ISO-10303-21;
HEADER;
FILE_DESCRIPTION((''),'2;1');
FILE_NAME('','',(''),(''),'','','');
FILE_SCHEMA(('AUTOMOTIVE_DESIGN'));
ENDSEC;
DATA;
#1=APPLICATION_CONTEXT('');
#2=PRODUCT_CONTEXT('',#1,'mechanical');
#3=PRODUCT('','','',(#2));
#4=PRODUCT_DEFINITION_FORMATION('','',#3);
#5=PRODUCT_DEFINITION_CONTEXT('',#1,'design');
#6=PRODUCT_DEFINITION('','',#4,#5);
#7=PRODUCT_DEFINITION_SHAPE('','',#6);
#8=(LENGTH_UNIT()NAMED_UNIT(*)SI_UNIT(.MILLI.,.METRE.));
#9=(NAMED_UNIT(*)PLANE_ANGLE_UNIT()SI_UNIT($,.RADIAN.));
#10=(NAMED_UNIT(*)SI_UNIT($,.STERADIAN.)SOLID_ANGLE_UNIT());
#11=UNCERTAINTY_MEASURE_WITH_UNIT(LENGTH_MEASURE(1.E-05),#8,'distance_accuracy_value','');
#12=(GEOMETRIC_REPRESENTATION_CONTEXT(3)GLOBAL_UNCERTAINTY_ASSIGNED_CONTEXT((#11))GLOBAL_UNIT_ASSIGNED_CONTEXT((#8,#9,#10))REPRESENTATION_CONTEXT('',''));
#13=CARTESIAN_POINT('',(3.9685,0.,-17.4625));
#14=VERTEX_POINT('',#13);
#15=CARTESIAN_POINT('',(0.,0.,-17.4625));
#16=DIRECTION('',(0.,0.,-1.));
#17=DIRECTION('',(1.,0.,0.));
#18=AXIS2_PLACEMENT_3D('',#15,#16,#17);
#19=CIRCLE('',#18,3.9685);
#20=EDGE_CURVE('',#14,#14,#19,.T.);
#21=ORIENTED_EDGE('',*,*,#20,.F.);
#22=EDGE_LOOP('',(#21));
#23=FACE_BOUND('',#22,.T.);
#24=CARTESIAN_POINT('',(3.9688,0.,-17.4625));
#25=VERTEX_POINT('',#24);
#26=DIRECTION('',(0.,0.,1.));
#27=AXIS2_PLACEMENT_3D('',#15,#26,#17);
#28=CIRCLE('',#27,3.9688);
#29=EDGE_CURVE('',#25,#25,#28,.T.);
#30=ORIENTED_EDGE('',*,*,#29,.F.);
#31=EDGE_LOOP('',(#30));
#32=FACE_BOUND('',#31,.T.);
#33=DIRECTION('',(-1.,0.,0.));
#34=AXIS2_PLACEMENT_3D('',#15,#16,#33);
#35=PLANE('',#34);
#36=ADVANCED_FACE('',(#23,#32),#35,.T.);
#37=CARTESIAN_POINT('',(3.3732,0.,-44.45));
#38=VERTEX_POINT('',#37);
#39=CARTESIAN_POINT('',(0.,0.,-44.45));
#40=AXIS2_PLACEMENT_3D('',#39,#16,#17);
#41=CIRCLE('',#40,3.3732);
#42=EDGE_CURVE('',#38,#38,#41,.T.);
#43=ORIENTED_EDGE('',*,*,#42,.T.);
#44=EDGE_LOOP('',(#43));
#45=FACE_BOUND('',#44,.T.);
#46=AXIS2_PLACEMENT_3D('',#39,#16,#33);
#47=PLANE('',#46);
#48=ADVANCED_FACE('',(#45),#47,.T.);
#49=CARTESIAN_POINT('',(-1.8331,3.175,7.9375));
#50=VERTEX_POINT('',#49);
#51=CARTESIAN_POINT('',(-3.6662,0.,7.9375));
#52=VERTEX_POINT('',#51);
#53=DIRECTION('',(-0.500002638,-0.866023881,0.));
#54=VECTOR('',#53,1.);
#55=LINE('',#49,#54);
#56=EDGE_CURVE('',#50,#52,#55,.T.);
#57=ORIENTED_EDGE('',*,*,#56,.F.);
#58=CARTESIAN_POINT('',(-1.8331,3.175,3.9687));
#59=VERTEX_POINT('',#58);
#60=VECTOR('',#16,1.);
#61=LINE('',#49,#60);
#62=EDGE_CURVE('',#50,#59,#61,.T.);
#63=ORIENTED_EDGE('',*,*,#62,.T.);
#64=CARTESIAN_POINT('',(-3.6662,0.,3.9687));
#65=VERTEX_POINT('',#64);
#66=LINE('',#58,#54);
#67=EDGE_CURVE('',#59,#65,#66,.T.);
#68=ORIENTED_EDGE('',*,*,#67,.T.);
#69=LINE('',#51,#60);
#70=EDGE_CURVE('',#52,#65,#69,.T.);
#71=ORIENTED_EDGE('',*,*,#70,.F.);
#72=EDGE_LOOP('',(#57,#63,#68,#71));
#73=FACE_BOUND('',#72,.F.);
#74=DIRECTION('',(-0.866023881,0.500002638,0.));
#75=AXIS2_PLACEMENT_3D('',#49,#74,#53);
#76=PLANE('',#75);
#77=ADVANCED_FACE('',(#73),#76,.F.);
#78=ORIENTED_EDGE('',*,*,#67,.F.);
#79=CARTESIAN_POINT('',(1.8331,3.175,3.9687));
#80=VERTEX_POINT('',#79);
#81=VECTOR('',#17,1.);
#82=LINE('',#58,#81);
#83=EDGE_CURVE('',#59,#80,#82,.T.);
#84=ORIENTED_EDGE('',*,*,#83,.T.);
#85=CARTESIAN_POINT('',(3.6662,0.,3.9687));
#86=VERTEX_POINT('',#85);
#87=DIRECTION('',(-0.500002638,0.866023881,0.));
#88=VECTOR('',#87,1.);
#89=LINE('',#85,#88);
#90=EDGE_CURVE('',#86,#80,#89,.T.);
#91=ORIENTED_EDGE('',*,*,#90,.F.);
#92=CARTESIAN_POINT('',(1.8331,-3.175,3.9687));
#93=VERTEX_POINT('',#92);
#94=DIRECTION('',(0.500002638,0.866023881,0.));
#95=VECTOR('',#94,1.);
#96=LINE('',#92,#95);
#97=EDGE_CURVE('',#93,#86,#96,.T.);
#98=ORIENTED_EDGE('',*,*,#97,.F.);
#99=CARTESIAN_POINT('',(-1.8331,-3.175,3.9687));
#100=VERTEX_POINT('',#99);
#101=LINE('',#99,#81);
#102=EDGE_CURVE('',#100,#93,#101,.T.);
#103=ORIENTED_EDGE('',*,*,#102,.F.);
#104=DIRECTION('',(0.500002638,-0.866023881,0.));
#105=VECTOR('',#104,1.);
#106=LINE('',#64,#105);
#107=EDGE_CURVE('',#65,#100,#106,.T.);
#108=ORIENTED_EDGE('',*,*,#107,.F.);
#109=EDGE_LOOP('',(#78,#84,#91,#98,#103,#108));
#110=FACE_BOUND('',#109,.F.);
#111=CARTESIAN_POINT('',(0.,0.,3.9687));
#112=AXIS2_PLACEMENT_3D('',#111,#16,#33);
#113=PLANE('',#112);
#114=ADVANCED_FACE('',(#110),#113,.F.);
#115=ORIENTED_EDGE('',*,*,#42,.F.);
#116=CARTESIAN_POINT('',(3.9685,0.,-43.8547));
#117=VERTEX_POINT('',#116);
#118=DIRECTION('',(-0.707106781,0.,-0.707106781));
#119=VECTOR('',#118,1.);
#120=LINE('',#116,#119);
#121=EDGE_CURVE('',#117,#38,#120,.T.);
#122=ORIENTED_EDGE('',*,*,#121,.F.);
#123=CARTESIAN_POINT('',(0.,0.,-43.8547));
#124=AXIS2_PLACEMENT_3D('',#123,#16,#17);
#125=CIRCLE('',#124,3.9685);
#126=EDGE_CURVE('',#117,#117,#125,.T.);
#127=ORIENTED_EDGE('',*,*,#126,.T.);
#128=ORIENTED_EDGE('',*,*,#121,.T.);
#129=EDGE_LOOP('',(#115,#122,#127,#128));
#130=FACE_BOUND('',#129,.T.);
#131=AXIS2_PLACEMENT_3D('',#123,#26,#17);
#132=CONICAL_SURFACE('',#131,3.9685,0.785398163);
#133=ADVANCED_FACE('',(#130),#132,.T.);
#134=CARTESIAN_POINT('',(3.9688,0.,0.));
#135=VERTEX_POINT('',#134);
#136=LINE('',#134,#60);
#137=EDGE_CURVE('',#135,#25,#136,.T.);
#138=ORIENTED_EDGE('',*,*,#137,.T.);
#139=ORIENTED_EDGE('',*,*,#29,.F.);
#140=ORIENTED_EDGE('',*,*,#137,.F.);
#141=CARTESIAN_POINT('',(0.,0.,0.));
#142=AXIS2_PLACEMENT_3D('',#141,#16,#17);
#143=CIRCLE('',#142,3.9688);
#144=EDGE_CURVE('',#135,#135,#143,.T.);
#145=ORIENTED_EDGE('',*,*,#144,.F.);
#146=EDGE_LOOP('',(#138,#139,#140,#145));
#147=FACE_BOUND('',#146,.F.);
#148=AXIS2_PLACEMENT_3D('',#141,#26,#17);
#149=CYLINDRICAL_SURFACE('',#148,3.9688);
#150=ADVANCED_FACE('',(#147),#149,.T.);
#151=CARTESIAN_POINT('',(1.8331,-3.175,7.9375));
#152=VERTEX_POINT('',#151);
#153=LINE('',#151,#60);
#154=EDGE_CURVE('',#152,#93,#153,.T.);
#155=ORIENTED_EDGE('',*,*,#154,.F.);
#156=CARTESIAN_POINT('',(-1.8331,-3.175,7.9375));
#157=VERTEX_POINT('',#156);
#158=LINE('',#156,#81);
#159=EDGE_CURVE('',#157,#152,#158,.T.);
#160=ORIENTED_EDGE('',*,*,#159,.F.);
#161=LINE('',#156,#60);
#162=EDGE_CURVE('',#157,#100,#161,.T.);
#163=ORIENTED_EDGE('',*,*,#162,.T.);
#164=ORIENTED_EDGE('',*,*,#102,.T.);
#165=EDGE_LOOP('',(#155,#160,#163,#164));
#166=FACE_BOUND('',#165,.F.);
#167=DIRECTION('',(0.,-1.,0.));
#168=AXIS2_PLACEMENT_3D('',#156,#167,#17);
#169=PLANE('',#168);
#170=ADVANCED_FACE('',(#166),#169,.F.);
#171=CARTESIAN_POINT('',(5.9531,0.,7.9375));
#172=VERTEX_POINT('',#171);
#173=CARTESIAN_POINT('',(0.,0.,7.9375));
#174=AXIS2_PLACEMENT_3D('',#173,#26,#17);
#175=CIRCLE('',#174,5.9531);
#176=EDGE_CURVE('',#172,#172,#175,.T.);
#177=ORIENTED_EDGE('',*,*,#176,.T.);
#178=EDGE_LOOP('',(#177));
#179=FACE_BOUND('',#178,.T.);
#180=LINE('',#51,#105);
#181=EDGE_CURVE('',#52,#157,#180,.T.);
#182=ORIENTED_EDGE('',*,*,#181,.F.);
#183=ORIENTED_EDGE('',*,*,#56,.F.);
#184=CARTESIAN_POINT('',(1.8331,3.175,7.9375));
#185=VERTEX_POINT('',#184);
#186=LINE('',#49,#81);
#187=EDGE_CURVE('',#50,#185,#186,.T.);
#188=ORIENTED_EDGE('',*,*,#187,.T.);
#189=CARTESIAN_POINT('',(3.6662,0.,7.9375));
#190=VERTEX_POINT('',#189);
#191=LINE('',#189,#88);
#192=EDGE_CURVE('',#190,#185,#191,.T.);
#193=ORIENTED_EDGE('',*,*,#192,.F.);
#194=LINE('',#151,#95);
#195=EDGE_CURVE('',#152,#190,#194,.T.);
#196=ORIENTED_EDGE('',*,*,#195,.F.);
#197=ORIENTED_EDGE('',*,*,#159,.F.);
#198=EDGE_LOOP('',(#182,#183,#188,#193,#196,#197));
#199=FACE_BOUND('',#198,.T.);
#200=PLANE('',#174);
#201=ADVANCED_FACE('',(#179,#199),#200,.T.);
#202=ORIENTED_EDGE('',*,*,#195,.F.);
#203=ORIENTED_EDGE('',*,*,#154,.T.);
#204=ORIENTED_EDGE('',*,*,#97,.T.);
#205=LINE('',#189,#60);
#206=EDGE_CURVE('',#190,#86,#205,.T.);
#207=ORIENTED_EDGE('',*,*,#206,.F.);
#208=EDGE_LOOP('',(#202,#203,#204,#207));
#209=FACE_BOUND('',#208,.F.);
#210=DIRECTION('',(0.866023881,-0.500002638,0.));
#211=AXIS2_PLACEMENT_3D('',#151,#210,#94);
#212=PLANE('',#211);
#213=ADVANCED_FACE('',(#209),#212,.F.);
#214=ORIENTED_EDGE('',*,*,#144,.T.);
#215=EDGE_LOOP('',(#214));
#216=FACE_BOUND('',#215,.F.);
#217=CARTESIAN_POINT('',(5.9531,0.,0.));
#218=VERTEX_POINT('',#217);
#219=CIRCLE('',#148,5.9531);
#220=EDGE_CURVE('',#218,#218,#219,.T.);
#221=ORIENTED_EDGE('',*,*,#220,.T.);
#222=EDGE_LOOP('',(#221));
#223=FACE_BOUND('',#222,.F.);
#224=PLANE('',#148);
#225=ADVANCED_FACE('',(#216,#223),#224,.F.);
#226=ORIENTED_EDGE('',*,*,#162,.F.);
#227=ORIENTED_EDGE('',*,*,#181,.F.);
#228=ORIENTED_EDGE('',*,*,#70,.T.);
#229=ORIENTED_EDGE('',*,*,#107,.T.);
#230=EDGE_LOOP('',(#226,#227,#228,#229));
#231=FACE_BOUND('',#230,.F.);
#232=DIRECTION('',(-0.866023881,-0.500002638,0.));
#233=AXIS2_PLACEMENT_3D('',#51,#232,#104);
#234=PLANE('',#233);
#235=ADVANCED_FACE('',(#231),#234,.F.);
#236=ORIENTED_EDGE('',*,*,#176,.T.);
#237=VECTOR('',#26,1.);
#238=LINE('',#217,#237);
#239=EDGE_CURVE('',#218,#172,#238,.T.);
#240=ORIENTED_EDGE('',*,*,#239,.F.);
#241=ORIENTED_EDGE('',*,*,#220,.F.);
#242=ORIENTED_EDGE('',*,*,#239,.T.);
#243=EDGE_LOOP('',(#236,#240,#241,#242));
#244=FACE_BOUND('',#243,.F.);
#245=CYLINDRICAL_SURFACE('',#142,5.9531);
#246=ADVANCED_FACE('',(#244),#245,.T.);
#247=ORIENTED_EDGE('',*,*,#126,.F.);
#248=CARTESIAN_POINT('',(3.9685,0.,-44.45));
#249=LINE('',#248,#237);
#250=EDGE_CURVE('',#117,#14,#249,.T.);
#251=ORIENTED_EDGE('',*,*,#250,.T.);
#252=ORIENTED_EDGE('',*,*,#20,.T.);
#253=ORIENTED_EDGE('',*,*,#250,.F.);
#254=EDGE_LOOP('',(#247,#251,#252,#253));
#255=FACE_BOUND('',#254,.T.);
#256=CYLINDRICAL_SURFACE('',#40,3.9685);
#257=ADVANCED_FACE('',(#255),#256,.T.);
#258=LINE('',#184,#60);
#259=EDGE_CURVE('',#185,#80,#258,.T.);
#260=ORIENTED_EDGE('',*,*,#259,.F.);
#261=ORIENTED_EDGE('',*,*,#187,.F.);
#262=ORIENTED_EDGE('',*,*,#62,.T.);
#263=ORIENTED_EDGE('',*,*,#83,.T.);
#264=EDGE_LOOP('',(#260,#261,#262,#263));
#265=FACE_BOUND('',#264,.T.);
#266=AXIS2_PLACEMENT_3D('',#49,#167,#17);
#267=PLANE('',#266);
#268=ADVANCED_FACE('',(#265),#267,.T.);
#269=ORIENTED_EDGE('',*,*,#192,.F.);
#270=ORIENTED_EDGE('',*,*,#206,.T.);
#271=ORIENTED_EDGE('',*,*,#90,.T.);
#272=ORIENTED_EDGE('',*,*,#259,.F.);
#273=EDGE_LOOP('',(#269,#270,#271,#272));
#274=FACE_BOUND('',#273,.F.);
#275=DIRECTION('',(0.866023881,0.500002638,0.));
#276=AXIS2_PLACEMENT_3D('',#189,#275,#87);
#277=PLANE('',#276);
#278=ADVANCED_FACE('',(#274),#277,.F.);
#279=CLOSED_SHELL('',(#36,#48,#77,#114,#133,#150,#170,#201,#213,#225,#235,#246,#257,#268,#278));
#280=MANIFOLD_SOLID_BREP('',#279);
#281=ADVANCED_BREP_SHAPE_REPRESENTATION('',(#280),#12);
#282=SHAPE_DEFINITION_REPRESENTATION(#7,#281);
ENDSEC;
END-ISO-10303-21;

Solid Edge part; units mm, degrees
sketch "Sketch1" plane through (0, 0, 0) normal (0, 0, 1) x (1, 0, 0)
  circle A0 centre (0, 0) radius 5.9531
  dimension "D1" = 11.9062
extrude "Protrusion1" add sketch "Sketch1" along normal blind 7.9375
sketch "Sketch2" plane through (0, 0, 0) normal (0, 0, -1) x (1, 0, 0)
  circle A0 centre (0, 0) radius 3.9688
extrude "Protrusion2" add sketch "Sketch2" along normal blind 44.45
sketch "Sketch3" plane through (0, 0, -44.45) normal (0, 0, -1) x (1, 0, 0)
  circle A0 centre (0, 0) radius 3.9685
extrude "Cutout1" cut sketch "Sketch3" against normal blind 26.9875 flip side to cut
chamfer "Chamfer_1" distance 0.5953 angle 45 1 edges at (-3.9685, 0, -44.45)
sketch "Sketch4" plane through (0, 0, 7.9375) normal (0, 0, 1) x (1, 0, 0)
  line L0 (-1.8331, 3.175) -> (1.8331, 3.175)
  line L1 (3.6662, 0) -> (1.8331, 3.175)
  line L2 (1.8331, -3.175) -> (3.6662, 0)
  line L3 (-1.8331, -3.175) -> (1.8331, -3.175)
  line L4 (-3.6662, 0) -> (-1.8331, -3.175)
  line L5 (-1.8331, 3.175) -> (-3.6662, 0)
  dimension "D1" = 6.35
extrude "Cutout2" cut sketch "Sketch4" against normal blind 3.9688
properties part number "24101096"
